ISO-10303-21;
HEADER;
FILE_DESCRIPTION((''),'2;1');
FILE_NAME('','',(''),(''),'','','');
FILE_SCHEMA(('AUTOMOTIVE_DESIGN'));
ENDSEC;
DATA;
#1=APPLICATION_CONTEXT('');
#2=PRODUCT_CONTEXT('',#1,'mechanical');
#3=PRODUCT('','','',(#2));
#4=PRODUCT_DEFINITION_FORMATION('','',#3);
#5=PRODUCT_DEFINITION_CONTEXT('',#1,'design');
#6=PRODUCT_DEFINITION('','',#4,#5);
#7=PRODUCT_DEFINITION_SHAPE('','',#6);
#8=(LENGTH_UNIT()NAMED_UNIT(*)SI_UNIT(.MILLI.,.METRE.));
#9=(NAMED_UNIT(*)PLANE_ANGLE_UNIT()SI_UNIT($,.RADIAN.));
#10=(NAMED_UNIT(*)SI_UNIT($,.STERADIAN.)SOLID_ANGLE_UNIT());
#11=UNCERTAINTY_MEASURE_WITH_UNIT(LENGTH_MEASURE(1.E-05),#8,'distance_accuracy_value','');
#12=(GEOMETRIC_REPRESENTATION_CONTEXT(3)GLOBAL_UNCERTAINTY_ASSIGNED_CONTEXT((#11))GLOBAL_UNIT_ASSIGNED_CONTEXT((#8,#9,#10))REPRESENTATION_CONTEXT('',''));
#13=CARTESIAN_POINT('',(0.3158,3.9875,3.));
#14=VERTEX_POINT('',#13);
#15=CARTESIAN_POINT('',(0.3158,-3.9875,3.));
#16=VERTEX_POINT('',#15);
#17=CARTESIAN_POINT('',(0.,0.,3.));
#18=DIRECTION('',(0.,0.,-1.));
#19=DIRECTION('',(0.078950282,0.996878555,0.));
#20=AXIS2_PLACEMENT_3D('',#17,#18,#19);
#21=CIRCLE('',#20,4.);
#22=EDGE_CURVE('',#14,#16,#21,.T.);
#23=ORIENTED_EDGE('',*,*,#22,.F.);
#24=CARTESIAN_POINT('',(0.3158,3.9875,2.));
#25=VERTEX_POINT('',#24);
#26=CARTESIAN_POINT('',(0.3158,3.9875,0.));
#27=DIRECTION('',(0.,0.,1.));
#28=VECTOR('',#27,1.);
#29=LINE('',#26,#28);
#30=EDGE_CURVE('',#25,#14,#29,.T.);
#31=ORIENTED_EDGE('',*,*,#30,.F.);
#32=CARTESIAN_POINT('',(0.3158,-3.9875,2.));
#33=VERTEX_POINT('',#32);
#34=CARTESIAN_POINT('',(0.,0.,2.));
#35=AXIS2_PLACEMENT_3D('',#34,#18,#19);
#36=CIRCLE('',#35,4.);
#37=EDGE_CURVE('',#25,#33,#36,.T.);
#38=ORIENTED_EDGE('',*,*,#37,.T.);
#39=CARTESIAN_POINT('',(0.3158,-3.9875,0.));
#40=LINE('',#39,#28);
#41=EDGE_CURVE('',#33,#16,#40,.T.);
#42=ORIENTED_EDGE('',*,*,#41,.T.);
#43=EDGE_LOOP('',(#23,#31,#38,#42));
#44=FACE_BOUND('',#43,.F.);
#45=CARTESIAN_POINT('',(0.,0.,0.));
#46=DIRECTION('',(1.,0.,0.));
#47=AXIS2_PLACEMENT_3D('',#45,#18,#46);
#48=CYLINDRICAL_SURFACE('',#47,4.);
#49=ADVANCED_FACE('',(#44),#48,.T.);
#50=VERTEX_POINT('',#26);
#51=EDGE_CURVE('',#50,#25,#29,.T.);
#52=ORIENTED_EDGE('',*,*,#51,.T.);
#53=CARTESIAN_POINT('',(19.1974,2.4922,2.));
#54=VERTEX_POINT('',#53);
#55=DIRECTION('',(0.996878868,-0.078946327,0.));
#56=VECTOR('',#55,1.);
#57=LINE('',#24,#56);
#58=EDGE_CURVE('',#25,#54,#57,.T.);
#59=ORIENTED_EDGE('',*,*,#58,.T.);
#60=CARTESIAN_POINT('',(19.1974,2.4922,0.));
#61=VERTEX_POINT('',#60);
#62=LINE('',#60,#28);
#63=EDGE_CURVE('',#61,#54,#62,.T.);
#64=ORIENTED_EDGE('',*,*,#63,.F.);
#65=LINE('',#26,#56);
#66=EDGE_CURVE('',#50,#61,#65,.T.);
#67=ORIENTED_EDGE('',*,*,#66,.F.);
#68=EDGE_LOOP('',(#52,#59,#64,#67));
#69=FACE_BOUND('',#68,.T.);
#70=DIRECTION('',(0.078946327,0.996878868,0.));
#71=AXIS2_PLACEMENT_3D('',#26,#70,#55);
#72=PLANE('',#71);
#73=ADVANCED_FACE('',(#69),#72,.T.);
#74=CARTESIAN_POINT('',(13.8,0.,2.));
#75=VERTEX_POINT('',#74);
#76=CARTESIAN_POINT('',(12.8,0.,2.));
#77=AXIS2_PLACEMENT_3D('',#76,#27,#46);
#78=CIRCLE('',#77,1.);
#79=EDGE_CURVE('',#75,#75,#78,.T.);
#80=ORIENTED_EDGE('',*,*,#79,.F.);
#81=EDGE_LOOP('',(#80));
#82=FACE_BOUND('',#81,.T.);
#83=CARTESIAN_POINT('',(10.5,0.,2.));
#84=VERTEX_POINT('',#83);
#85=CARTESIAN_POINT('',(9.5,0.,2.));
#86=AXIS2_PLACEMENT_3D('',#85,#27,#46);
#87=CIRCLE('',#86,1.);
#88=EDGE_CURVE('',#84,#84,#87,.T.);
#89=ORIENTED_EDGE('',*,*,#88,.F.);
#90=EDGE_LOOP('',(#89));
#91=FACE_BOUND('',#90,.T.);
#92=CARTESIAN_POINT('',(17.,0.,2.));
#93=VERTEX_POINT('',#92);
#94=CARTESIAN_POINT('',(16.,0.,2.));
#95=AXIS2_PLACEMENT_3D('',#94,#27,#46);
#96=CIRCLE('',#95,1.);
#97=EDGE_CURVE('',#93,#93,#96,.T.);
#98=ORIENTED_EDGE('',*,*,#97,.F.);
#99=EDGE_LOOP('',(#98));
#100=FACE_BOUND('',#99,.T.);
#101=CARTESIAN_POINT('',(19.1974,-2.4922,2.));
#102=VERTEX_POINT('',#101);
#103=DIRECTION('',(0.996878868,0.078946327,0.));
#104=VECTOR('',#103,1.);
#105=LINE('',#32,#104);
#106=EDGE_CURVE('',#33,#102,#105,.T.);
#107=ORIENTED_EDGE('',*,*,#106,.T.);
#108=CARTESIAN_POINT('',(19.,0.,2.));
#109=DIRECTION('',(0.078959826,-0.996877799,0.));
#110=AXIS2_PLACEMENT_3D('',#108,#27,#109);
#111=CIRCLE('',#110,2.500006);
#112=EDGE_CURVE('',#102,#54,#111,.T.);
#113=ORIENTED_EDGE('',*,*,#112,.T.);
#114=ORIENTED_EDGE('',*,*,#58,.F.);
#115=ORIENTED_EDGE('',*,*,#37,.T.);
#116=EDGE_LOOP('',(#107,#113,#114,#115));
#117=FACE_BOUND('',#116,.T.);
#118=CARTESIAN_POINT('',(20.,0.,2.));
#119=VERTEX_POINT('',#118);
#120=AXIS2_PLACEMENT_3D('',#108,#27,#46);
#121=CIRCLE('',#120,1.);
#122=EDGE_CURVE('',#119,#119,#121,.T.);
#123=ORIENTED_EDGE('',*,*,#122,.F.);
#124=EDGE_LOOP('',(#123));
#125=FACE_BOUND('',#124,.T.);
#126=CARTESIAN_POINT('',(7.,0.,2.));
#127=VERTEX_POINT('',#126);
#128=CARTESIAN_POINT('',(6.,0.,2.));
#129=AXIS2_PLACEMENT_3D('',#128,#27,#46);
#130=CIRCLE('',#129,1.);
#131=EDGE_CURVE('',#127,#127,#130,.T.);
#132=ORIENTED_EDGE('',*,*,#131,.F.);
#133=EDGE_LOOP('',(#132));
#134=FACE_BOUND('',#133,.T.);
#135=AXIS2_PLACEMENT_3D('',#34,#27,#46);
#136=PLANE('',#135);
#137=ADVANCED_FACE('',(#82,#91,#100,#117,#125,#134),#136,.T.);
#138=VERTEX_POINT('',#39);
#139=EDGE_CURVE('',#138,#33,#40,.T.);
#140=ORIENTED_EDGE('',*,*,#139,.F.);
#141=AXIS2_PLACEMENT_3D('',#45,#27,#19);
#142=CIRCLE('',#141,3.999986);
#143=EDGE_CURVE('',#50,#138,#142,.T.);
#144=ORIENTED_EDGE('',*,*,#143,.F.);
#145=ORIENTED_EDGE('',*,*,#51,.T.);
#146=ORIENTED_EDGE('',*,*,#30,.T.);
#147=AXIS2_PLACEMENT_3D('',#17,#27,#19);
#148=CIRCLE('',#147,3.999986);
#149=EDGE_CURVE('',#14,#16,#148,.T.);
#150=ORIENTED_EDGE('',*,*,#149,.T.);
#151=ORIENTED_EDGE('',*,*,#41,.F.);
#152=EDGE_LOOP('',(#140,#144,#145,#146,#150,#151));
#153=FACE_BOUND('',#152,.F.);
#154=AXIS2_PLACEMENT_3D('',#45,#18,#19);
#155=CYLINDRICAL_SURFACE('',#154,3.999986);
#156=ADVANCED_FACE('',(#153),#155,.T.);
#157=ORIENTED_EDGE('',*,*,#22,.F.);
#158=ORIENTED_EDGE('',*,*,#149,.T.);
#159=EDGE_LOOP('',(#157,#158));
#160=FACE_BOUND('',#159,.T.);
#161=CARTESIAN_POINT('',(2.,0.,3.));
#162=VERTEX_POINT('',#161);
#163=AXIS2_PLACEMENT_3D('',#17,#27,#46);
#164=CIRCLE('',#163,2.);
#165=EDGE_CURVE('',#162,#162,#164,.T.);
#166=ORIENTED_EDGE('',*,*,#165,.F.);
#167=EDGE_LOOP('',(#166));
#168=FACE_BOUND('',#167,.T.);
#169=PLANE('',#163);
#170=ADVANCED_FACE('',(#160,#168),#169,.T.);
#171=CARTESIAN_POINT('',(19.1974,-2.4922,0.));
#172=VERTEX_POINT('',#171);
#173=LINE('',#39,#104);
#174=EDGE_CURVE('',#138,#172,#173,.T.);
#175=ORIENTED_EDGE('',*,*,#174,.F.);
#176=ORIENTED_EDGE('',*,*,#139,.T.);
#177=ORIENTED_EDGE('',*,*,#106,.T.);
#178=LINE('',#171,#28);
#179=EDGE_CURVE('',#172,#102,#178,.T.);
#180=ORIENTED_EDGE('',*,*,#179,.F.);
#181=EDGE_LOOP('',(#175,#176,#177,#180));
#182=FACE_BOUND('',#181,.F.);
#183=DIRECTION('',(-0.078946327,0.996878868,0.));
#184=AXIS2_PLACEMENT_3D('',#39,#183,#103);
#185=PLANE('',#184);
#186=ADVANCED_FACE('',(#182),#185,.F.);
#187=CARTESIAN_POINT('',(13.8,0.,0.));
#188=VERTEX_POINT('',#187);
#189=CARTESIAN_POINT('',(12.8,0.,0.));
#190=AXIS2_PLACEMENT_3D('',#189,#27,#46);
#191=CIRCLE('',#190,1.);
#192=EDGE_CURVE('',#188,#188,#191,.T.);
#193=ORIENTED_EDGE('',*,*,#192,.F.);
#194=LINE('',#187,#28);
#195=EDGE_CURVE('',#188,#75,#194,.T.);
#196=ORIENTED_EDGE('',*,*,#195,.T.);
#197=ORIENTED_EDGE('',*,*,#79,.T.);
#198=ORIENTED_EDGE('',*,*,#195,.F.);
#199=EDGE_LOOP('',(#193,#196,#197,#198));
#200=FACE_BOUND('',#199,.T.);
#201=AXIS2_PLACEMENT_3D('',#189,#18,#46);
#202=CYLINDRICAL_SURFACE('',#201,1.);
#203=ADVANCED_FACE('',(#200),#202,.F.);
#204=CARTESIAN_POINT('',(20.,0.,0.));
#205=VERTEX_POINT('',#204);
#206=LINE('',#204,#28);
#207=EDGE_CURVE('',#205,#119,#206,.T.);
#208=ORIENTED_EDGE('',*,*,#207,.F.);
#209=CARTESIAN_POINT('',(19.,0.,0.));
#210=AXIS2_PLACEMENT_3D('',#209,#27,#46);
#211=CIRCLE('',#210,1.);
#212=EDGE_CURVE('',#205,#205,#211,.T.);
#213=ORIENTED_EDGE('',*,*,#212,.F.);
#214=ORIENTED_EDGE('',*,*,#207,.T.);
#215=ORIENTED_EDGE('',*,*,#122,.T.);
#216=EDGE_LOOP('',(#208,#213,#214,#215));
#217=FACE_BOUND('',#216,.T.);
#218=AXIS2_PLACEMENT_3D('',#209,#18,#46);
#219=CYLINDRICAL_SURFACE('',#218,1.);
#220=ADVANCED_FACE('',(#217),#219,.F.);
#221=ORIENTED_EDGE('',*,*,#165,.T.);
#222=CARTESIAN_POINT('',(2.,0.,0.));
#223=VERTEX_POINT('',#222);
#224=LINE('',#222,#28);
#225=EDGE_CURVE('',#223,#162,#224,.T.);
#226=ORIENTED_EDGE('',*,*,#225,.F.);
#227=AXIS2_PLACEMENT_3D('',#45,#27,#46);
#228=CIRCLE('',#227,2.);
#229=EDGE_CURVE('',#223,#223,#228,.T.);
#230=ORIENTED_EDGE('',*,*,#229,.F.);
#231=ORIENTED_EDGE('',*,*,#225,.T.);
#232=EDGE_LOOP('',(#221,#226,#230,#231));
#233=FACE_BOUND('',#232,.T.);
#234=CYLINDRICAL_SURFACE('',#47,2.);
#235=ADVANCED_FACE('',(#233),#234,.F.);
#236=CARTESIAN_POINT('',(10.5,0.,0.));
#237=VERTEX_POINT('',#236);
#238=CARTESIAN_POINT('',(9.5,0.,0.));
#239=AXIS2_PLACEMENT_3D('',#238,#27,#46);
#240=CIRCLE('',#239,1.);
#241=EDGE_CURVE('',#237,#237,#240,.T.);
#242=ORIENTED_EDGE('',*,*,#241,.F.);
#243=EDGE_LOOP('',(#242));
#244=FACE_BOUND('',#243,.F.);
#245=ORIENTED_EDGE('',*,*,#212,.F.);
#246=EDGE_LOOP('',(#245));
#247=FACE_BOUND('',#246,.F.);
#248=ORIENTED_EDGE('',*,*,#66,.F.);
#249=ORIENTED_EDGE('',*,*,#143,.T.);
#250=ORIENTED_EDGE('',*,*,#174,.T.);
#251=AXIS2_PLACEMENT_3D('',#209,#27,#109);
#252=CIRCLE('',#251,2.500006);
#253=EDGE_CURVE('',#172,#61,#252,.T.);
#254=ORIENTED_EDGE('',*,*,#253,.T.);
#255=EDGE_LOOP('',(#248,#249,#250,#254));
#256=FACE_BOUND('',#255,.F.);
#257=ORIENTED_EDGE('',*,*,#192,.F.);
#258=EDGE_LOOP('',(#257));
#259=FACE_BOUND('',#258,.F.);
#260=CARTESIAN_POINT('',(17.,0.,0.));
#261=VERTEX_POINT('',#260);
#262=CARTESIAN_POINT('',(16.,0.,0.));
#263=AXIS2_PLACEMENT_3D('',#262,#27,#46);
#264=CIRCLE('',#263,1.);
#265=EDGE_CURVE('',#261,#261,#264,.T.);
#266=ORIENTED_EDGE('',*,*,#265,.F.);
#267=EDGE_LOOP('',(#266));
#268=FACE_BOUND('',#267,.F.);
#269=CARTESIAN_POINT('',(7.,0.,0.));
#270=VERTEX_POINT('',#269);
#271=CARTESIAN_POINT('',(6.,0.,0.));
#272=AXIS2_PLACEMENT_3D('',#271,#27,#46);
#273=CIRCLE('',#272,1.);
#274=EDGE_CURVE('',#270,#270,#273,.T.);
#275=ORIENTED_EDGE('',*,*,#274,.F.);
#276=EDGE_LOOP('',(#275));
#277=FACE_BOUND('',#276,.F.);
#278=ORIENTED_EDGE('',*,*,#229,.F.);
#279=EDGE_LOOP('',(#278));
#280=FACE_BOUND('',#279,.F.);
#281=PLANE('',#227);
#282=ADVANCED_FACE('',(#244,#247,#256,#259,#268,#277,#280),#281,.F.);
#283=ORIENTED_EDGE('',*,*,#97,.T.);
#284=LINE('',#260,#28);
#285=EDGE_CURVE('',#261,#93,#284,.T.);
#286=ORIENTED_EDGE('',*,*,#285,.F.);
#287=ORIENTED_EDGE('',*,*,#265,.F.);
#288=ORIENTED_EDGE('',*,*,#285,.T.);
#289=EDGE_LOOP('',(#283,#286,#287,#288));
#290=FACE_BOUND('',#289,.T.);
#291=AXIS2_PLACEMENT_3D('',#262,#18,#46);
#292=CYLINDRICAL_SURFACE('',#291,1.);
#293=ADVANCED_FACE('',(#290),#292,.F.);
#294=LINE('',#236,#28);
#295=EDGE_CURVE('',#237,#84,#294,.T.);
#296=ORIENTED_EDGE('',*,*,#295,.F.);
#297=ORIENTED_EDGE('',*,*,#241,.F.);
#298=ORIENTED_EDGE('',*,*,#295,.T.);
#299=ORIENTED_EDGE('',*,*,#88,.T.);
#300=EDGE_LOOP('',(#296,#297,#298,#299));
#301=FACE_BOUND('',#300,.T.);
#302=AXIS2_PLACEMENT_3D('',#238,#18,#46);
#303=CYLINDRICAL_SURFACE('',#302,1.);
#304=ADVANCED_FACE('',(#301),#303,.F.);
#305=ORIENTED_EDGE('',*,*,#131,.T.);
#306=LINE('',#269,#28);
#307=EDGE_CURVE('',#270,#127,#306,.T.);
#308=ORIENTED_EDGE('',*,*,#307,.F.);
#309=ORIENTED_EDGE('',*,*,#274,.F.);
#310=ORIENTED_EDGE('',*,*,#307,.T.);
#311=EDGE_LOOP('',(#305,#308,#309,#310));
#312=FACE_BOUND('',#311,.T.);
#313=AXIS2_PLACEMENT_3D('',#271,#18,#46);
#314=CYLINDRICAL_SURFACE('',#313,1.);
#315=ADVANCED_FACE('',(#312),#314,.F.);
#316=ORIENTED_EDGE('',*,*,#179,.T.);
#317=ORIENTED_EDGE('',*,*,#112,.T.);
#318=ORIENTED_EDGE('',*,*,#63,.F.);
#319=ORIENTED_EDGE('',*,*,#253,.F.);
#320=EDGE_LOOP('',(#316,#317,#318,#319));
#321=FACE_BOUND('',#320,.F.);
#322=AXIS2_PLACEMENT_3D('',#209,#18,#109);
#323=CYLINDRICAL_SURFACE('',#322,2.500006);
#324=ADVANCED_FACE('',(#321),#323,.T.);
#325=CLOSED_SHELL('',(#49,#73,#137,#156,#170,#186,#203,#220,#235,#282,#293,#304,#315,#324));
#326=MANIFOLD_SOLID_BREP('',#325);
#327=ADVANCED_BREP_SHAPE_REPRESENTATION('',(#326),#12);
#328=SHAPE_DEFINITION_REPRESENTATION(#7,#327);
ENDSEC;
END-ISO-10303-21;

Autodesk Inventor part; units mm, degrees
ref_plane "YZ Plane" through (0, 0, 0) normal (1, 0, 0) x (0, 1, 0)
ref_plane "XZ Plane" through (0, 0, 0) normal (0, 1, 0) x (-1, 0, 0)
ref_plane "XY Plane" through (0, 0, 0) normal (0, 0, 1) x (1, 0, 0)
sketch "Skizze1" plane through (0, 0, 0) normal (0, 0, 1) x (1, 0, 0)
  line L0 (0, 5.6) -> (0, -5.6) construction
  line L1 (-9.1, 0) -> (26.6, 0) construction
  circle A0 centre (0, 0) radius 2
  circle A1 centre (9.5, 0) radius 1
  circle A2 centre (16, 0) radius 1
  circle A3 centre (19, 0) radius 1
  arc A4 (19.1974, -2.4922) -> (19.1974, 2.4922) centre (19, 0) ccw
  arc A5 (0.3158, 3.9875) -> (0.3158, -3.9875) centre (0, 0) ccw
  line L2 (0.3158, 3.9875) -> (19.1974, 2.4922)
  line L3 (0.3158, -3.9875) -> (19.1974, -2.4922)
  circle A6 centre (6, 0) radius 1
  circle A7 centre (12.8, 0) radius 1
  circle A8 centre (0, 0) radius 4
  point P0 (0.5263, 3.9652)
  point P1 (0.6579, -1.8887)
  point P2 (0.6579, 1.8887)
  dimension "d0" = 9.5
  dimension "d1" = 16
  dimension "d2" = 19
  dimension "d3" = 5
  dimension "d4" = 2
  dimension "d5" = 4
  dimension "d6" = 8
  dimension "d16" = 6
  dimension "d17" = 12.8
extrude "Extrusion1" add sketch "Skizze1" along normal blind 2
extrude "Extrusion2" add sketch "Skizze1" along normal blind 3 contours A5 A8
properties part number "Servo-Arm-20mm"
